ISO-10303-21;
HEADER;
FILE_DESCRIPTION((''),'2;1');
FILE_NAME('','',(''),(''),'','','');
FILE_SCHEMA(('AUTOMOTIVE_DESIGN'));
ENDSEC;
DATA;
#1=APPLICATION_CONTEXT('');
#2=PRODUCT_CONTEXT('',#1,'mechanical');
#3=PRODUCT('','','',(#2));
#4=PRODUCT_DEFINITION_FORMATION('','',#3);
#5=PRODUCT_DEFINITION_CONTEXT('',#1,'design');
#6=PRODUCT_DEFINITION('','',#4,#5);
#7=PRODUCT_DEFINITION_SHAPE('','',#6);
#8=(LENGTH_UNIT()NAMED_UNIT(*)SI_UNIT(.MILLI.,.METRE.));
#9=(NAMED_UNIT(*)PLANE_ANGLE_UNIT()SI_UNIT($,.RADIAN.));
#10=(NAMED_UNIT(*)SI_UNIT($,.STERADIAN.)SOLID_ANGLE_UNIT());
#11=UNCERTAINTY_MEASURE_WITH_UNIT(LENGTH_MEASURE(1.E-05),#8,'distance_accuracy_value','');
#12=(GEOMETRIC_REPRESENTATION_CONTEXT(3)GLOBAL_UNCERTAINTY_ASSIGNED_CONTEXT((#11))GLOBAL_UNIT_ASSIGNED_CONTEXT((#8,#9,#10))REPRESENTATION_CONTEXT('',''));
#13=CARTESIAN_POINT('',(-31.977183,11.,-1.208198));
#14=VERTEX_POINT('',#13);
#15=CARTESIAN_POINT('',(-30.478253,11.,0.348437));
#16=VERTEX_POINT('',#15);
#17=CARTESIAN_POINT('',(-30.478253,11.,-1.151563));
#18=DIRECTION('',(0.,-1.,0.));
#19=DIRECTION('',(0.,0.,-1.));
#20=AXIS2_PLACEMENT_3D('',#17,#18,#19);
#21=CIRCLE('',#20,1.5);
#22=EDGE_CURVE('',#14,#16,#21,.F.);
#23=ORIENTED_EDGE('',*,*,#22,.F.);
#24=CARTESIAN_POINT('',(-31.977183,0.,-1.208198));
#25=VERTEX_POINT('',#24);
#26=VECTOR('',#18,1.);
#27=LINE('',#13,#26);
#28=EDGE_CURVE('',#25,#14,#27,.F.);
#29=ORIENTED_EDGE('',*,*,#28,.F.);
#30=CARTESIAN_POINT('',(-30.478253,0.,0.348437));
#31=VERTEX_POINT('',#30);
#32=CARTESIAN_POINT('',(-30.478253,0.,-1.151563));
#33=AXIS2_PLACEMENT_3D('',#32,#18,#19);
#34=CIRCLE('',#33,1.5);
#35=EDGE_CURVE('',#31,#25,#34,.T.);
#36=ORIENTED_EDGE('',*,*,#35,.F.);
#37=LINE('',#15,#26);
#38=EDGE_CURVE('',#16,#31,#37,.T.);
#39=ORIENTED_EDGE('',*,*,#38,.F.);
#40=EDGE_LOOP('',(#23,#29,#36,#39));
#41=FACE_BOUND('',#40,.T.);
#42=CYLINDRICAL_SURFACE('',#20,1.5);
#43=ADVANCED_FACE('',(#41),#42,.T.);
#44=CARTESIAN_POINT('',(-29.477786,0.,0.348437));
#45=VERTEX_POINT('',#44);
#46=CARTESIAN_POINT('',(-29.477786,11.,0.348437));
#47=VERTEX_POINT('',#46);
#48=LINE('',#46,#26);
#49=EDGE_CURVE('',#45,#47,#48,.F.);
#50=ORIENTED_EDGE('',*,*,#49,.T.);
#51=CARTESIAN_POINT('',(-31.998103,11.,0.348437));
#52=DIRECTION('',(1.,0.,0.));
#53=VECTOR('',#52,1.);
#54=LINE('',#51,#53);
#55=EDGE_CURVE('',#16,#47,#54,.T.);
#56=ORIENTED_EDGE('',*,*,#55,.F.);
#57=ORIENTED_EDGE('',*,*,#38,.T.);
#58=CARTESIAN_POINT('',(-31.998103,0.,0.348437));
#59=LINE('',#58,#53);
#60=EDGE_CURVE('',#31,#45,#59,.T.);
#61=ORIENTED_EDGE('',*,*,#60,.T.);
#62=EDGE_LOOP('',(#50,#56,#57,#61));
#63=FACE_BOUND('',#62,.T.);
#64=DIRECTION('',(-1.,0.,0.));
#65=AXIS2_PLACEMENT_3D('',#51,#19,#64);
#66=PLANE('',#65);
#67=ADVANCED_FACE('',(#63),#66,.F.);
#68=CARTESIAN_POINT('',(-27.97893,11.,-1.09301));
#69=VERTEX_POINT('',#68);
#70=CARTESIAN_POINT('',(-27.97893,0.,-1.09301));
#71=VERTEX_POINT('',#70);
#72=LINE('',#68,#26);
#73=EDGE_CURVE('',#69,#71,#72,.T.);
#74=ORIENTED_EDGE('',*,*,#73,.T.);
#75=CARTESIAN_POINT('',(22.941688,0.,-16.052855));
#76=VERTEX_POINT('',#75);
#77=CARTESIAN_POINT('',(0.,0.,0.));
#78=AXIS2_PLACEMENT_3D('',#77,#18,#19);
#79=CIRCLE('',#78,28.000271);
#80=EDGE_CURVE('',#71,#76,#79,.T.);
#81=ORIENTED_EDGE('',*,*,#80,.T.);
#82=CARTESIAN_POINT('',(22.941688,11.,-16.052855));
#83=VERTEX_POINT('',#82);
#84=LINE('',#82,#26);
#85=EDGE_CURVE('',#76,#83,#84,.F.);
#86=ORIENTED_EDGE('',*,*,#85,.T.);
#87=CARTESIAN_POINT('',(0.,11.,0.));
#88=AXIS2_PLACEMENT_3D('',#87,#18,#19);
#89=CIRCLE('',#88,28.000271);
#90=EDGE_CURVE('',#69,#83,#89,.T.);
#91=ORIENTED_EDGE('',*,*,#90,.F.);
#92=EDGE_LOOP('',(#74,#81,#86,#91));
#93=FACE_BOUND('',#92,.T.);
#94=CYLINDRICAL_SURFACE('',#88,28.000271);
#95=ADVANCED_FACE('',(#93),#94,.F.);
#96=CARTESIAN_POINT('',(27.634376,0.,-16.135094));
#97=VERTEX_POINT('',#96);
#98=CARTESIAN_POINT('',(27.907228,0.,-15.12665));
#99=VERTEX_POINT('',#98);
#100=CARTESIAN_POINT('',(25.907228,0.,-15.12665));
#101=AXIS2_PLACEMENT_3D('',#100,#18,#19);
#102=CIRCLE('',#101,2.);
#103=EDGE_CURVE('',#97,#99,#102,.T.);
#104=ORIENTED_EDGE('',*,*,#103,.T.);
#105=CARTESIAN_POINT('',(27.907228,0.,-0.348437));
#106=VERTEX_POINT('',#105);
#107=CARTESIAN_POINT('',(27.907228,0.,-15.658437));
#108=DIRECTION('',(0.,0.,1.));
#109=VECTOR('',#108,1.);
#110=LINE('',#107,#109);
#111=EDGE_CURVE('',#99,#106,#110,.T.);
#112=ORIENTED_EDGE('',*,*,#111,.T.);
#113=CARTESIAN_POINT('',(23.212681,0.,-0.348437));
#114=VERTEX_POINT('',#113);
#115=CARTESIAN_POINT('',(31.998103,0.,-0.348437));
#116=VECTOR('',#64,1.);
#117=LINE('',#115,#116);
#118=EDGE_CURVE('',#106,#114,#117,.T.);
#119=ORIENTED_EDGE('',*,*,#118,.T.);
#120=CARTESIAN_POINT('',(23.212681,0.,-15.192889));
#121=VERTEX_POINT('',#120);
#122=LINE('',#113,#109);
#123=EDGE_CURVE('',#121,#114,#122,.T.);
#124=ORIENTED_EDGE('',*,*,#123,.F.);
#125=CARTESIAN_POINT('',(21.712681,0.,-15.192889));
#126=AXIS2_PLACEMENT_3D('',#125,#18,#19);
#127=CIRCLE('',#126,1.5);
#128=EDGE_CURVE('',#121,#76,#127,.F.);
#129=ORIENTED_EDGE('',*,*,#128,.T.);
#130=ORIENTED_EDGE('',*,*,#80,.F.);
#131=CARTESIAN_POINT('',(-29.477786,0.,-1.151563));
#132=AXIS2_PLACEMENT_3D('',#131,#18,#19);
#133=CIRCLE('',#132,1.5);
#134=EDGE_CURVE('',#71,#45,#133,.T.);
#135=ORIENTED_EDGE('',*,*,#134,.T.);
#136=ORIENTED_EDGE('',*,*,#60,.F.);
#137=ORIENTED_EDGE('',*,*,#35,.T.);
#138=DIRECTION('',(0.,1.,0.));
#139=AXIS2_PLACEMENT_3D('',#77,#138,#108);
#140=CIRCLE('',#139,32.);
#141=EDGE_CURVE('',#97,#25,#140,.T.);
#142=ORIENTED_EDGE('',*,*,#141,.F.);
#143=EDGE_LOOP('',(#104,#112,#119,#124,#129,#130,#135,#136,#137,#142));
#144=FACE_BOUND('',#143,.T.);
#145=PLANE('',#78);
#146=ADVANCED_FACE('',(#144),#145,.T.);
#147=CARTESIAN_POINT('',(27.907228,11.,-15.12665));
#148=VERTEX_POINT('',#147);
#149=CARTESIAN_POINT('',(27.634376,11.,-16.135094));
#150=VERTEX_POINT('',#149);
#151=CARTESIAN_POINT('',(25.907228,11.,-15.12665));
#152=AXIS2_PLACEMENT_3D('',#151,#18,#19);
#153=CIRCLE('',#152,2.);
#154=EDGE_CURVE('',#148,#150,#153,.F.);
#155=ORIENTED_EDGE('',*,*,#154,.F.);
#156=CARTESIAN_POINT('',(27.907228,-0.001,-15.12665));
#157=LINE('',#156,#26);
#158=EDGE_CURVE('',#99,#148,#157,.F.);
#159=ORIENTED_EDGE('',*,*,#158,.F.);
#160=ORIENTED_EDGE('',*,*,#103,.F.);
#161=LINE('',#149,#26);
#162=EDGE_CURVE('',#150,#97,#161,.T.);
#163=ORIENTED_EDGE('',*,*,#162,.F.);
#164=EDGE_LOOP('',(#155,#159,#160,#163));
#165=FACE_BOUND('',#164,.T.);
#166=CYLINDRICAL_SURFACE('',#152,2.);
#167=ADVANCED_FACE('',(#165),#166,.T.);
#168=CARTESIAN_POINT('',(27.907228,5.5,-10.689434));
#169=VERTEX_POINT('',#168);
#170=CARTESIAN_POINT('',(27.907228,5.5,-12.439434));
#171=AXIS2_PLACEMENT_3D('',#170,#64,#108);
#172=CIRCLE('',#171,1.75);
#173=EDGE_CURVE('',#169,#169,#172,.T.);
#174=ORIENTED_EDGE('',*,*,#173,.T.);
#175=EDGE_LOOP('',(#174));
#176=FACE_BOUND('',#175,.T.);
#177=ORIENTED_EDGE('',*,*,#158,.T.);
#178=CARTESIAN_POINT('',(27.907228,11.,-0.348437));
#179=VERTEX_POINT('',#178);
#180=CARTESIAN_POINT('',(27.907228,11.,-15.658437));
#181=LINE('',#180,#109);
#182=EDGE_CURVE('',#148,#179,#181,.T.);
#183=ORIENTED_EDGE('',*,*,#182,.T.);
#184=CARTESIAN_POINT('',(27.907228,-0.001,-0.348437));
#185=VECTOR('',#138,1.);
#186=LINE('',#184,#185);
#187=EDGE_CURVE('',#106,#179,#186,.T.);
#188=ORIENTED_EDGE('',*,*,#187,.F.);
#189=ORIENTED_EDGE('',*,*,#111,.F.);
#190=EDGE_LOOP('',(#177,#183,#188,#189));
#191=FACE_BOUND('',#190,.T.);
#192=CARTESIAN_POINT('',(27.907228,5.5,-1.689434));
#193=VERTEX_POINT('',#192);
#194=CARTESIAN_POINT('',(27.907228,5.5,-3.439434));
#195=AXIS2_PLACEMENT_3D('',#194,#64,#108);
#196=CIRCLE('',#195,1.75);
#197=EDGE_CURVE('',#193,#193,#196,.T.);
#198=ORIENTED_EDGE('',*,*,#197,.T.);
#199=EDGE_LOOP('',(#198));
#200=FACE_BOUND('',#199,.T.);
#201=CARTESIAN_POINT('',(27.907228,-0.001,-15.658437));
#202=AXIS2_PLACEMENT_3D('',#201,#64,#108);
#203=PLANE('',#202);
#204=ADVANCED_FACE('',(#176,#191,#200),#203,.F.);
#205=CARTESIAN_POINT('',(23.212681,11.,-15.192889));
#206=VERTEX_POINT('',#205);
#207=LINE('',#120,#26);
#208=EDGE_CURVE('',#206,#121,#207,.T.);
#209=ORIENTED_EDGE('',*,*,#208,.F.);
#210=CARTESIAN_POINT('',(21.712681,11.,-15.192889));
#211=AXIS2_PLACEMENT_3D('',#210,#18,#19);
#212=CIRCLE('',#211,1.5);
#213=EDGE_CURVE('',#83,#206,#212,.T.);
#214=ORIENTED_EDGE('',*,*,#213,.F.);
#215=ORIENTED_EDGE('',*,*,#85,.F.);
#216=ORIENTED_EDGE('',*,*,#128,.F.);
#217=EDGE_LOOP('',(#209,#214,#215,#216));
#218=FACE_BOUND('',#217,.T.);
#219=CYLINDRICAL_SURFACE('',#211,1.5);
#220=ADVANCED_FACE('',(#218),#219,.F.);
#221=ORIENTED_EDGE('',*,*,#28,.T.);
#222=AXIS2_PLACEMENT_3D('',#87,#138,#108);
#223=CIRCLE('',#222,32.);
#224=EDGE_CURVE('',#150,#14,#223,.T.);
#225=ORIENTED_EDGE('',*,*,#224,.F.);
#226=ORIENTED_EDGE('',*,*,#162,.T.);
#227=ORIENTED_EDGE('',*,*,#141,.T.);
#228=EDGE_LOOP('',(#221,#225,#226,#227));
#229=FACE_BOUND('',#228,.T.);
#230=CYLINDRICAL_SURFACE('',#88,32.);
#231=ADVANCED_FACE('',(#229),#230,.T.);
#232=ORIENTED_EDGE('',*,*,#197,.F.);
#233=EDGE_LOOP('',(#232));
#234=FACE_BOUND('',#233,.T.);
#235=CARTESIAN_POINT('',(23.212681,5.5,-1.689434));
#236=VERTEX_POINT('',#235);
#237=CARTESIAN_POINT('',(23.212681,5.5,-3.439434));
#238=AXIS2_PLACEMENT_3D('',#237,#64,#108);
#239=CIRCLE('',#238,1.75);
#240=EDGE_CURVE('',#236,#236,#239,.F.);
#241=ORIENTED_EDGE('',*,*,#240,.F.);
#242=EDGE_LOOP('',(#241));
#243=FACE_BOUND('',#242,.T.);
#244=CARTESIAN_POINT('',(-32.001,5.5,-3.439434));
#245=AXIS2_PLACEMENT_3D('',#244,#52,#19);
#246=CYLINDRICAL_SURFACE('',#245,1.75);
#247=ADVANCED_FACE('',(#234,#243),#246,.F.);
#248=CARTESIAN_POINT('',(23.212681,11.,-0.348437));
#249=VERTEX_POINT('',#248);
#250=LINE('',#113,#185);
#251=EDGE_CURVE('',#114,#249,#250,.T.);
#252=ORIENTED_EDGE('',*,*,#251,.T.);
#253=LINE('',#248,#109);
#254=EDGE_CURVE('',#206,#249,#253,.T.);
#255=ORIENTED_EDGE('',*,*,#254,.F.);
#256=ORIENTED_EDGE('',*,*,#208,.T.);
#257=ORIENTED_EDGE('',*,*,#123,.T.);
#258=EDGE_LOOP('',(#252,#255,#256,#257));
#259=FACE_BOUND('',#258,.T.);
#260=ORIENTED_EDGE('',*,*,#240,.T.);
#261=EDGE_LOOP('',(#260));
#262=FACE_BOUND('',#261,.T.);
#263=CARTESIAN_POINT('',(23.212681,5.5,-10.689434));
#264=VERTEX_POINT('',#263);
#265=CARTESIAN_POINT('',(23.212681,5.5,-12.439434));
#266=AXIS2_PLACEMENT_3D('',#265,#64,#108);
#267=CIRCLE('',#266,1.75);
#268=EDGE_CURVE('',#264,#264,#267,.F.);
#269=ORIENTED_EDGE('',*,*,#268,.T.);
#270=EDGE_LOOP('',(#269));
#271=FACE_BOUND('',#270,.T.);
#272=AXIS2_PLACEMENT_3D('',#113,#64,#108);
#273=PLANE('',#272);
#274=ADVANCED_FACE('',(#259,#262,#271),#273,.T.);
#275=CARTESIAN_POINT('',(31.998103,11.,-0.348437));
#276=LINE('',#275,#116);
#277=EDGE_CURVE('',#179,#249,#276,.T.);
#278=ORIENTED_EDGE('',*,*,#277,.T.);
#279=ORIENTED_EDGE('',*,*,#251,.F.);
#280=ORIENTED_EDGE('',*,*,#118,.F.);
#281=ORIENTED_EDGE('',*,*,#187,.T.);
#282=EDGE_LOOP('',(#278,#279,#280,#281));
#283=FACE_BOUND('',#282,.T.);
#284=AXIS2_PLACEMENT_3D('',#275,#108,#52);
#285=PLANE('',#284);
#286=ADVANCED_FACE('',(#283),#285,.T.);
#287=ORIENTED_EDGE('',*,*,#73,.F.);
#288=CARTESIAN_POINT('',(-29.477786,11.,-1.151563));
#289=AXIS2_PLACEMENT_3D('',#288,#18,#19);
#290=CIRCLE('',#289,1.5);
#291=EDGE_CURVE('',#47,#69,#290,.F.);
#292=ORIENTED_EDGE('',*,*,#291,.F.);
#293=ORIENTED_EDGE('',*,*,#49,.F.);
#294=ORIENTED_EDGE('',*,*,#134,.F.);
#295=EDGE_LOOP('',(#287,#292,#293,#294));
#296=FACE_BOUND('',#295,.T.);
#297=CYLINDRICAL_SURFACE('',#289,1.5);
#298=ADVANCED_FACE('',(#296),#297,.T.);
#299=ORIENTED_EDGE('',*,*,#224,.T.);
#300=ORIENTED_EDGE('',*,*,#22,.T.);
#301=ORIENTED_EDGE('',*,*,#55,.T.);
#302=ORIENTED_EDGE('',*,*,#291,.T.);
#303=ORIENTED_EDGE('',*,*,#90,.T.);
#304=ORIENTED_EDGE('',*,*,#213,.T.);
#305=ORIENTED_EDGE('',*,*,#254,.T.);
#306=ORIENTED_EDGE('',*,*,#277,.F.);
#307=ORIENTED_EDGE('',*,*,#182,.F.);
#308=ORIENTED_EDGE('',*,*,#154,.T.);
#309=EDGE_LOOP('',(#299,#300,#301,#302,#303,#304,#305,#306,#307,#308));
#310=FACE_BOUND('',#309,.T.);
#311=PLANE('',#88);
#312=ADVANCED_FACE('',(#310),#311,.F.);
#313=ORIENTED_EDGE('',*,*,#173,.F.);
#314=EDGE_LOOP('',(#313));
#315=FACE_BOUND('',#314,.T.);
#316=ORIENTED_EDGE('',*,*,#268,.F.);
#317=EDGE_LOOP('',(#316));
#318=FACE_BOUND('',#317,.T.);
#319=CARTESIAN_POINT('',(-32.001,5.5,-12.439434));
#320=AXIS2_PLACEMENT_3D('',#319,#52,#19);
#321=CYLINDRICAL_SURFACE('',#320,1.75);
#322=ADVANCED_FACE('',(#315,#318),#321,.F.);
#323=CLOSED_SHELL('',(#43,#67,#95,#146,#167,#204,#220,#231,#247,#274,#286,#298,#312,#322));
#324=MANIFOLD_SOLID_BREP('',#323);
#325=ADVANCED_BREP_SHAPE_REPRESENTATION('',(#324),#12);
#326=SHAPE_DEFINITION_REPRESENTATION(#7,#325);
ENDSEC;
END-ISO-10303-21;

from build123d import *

# Parameters (mm, degrees)
BOSS_EXTRUDE1_DEPTH = 11
SKETCH2_W           = 8.785422424
SKETCH2_H           = 15.31
BOSS_EXTRUDE2_DEPTH = 11
CUT_EXTRUDE3_REACH  = 74.393
SKETCH3_R           = 1.75
FILLET2_R           = 1.5
FILLET4_R           = 1.5
CUT_EXTRUDE4_REACH  = 48.571
SKETCH5_W           = 4.090875198
SKETCH5_H           = 15.31
FILLET6_R           = 2


with BuildPart() as part:
    # Sketch1 → Boss-Extrude1 (new body)
    with BuildSketch(Plane(origin=(0, 0, 0), x_dir=(1, 0, 0), z_dir=(0, 1, 0))):
        with BuildLine():
            Line((-31.998102942, -0.348436693), (-27.998102942, -0.348436693))
            ThreePointArc((-27.998102942, -0.348436693), (-0.348436693, 27.998102942), (27.998102942, 0.348436693))
            Line((27.998102942, 0.348436693), (31.998102942, 0.348436693))
            ThreePointArc((31.998102942, 0.348436693), (-0.348436693, 31.998102942), (-31.998102942, -0.348436693))
        make_face()
    extrude(amount=BOSS_EXTRUDE1_DEPTH)

    # Sketch2 → Boss-Extrude2 (add, through all)
    with BuildSketch(Plane(origin=(0, 11, 0), x_dir=(1, 0, 0), z_dir=(0, 1, 0))):
        with Locations((27.60539173, 8.003436693)):
            Rectangle(SKETCH2_W, SKETCH2_H)
    extrude(amount=-BOSS_EXTRUDE2_DEPTH)

    # Sketch3 → Cut-Extrude3 (cut, up to next)
    with BuildSketch(Plane(origin=(31.998102942, 0, 0), x_dir=(0, 0, -1), z_dir=(1, 0, 0)), mode=Mode.PRIVATE) as cut_extrude3_sk1:
        with Locations((3.439433815, 5.5)):
            Circle(SKETCH3_R)
    cut_extrude3_tool1 = extrude(cut_extrude3_sk1.sketch, amount=-CUT_EXTRUDE3_REACH, mode=Mode.PRIVATE) & part.part
    # Sketch3 → Cut-Extrude3 (cut, up to next)
    with BuildSketch(Plane(origin=(31.998102942, 0, 0), x_dir=(0, 0, -1), z_dir=(1, 0, 0)), mode=Mode.PRIVATE) as cut_extrude3_sk2:
        with Locations((12.439433815, 5.5)):
            Circle(SKETCH3_R)
    cut_extrude3_tool2 = extrude(cut_extrude3_sk2.sketch, amount=-CUT_EXTRUDE3_REACH, mode=Mode.PRIVATE) & part.part
    add(cut_extrude3_tool1.solids().sort_by_distance((31.998103, 5.5, -3.439434))[0], mode=Mode.SUBTRACT)
    add(cut_extrude3_tool2.solids().sort_by_distance((31.998103, 5.5, -12.439434))[0], mode=Mode.SUBTRACT)

    # Fillet2
    fillet2_edges = [part.edges().sort_by_distance(p)[0] for p in [
        (23.212680518, 5.5, -15.658436693),
    ]]
    fillet(fillet2_edges, radius=FILLET2_R)

    # Fillet4
    fillet4_edges = [part.edges().sort_by_distance(p)[0] for p in [
        (-31.998102942, 5.5, 0.348436693),
        (-27.998102942, 5.5, 0.348436693),
    ]]
    fillet(fillet4_edges, radius=FILLET4_R)

    # Sketch5 → Cut-Extrude4 (cut, up to next)
    with BuildSketch(Plane(origin=(0, 11, 0), x_dir=(1, 0, 0), z_dir=(0, 1, 0)), mode=Mode.PRIVATE) as cut_extrude4_sk1:
        with Locations((29.952665343, 8.003436693)):
            Rectangle(SKETCH5_W, SKETCH5_H)
    cut_extrude4_tool1 = extrude(cut_extrude4_sk1.sketch, amount=-CUT_EXTRUDE4_REACH, mode=Mode.PRIVATE) & part.part
    add(cut_extrude4_tool1.solids().sort_by_distance((29.952665, 11, -8.003437))[0], mode=Mode.SUBTRACT)

    # Fillet6
    fillet6_edges = [part.edges().sort_by_distance(p)[0] for p in [
        (27.907227744, 5.5, -15.658436693),
    ]]
    fillet(fillet6_edges, radius=FILLET6_R)


solid = part.part
